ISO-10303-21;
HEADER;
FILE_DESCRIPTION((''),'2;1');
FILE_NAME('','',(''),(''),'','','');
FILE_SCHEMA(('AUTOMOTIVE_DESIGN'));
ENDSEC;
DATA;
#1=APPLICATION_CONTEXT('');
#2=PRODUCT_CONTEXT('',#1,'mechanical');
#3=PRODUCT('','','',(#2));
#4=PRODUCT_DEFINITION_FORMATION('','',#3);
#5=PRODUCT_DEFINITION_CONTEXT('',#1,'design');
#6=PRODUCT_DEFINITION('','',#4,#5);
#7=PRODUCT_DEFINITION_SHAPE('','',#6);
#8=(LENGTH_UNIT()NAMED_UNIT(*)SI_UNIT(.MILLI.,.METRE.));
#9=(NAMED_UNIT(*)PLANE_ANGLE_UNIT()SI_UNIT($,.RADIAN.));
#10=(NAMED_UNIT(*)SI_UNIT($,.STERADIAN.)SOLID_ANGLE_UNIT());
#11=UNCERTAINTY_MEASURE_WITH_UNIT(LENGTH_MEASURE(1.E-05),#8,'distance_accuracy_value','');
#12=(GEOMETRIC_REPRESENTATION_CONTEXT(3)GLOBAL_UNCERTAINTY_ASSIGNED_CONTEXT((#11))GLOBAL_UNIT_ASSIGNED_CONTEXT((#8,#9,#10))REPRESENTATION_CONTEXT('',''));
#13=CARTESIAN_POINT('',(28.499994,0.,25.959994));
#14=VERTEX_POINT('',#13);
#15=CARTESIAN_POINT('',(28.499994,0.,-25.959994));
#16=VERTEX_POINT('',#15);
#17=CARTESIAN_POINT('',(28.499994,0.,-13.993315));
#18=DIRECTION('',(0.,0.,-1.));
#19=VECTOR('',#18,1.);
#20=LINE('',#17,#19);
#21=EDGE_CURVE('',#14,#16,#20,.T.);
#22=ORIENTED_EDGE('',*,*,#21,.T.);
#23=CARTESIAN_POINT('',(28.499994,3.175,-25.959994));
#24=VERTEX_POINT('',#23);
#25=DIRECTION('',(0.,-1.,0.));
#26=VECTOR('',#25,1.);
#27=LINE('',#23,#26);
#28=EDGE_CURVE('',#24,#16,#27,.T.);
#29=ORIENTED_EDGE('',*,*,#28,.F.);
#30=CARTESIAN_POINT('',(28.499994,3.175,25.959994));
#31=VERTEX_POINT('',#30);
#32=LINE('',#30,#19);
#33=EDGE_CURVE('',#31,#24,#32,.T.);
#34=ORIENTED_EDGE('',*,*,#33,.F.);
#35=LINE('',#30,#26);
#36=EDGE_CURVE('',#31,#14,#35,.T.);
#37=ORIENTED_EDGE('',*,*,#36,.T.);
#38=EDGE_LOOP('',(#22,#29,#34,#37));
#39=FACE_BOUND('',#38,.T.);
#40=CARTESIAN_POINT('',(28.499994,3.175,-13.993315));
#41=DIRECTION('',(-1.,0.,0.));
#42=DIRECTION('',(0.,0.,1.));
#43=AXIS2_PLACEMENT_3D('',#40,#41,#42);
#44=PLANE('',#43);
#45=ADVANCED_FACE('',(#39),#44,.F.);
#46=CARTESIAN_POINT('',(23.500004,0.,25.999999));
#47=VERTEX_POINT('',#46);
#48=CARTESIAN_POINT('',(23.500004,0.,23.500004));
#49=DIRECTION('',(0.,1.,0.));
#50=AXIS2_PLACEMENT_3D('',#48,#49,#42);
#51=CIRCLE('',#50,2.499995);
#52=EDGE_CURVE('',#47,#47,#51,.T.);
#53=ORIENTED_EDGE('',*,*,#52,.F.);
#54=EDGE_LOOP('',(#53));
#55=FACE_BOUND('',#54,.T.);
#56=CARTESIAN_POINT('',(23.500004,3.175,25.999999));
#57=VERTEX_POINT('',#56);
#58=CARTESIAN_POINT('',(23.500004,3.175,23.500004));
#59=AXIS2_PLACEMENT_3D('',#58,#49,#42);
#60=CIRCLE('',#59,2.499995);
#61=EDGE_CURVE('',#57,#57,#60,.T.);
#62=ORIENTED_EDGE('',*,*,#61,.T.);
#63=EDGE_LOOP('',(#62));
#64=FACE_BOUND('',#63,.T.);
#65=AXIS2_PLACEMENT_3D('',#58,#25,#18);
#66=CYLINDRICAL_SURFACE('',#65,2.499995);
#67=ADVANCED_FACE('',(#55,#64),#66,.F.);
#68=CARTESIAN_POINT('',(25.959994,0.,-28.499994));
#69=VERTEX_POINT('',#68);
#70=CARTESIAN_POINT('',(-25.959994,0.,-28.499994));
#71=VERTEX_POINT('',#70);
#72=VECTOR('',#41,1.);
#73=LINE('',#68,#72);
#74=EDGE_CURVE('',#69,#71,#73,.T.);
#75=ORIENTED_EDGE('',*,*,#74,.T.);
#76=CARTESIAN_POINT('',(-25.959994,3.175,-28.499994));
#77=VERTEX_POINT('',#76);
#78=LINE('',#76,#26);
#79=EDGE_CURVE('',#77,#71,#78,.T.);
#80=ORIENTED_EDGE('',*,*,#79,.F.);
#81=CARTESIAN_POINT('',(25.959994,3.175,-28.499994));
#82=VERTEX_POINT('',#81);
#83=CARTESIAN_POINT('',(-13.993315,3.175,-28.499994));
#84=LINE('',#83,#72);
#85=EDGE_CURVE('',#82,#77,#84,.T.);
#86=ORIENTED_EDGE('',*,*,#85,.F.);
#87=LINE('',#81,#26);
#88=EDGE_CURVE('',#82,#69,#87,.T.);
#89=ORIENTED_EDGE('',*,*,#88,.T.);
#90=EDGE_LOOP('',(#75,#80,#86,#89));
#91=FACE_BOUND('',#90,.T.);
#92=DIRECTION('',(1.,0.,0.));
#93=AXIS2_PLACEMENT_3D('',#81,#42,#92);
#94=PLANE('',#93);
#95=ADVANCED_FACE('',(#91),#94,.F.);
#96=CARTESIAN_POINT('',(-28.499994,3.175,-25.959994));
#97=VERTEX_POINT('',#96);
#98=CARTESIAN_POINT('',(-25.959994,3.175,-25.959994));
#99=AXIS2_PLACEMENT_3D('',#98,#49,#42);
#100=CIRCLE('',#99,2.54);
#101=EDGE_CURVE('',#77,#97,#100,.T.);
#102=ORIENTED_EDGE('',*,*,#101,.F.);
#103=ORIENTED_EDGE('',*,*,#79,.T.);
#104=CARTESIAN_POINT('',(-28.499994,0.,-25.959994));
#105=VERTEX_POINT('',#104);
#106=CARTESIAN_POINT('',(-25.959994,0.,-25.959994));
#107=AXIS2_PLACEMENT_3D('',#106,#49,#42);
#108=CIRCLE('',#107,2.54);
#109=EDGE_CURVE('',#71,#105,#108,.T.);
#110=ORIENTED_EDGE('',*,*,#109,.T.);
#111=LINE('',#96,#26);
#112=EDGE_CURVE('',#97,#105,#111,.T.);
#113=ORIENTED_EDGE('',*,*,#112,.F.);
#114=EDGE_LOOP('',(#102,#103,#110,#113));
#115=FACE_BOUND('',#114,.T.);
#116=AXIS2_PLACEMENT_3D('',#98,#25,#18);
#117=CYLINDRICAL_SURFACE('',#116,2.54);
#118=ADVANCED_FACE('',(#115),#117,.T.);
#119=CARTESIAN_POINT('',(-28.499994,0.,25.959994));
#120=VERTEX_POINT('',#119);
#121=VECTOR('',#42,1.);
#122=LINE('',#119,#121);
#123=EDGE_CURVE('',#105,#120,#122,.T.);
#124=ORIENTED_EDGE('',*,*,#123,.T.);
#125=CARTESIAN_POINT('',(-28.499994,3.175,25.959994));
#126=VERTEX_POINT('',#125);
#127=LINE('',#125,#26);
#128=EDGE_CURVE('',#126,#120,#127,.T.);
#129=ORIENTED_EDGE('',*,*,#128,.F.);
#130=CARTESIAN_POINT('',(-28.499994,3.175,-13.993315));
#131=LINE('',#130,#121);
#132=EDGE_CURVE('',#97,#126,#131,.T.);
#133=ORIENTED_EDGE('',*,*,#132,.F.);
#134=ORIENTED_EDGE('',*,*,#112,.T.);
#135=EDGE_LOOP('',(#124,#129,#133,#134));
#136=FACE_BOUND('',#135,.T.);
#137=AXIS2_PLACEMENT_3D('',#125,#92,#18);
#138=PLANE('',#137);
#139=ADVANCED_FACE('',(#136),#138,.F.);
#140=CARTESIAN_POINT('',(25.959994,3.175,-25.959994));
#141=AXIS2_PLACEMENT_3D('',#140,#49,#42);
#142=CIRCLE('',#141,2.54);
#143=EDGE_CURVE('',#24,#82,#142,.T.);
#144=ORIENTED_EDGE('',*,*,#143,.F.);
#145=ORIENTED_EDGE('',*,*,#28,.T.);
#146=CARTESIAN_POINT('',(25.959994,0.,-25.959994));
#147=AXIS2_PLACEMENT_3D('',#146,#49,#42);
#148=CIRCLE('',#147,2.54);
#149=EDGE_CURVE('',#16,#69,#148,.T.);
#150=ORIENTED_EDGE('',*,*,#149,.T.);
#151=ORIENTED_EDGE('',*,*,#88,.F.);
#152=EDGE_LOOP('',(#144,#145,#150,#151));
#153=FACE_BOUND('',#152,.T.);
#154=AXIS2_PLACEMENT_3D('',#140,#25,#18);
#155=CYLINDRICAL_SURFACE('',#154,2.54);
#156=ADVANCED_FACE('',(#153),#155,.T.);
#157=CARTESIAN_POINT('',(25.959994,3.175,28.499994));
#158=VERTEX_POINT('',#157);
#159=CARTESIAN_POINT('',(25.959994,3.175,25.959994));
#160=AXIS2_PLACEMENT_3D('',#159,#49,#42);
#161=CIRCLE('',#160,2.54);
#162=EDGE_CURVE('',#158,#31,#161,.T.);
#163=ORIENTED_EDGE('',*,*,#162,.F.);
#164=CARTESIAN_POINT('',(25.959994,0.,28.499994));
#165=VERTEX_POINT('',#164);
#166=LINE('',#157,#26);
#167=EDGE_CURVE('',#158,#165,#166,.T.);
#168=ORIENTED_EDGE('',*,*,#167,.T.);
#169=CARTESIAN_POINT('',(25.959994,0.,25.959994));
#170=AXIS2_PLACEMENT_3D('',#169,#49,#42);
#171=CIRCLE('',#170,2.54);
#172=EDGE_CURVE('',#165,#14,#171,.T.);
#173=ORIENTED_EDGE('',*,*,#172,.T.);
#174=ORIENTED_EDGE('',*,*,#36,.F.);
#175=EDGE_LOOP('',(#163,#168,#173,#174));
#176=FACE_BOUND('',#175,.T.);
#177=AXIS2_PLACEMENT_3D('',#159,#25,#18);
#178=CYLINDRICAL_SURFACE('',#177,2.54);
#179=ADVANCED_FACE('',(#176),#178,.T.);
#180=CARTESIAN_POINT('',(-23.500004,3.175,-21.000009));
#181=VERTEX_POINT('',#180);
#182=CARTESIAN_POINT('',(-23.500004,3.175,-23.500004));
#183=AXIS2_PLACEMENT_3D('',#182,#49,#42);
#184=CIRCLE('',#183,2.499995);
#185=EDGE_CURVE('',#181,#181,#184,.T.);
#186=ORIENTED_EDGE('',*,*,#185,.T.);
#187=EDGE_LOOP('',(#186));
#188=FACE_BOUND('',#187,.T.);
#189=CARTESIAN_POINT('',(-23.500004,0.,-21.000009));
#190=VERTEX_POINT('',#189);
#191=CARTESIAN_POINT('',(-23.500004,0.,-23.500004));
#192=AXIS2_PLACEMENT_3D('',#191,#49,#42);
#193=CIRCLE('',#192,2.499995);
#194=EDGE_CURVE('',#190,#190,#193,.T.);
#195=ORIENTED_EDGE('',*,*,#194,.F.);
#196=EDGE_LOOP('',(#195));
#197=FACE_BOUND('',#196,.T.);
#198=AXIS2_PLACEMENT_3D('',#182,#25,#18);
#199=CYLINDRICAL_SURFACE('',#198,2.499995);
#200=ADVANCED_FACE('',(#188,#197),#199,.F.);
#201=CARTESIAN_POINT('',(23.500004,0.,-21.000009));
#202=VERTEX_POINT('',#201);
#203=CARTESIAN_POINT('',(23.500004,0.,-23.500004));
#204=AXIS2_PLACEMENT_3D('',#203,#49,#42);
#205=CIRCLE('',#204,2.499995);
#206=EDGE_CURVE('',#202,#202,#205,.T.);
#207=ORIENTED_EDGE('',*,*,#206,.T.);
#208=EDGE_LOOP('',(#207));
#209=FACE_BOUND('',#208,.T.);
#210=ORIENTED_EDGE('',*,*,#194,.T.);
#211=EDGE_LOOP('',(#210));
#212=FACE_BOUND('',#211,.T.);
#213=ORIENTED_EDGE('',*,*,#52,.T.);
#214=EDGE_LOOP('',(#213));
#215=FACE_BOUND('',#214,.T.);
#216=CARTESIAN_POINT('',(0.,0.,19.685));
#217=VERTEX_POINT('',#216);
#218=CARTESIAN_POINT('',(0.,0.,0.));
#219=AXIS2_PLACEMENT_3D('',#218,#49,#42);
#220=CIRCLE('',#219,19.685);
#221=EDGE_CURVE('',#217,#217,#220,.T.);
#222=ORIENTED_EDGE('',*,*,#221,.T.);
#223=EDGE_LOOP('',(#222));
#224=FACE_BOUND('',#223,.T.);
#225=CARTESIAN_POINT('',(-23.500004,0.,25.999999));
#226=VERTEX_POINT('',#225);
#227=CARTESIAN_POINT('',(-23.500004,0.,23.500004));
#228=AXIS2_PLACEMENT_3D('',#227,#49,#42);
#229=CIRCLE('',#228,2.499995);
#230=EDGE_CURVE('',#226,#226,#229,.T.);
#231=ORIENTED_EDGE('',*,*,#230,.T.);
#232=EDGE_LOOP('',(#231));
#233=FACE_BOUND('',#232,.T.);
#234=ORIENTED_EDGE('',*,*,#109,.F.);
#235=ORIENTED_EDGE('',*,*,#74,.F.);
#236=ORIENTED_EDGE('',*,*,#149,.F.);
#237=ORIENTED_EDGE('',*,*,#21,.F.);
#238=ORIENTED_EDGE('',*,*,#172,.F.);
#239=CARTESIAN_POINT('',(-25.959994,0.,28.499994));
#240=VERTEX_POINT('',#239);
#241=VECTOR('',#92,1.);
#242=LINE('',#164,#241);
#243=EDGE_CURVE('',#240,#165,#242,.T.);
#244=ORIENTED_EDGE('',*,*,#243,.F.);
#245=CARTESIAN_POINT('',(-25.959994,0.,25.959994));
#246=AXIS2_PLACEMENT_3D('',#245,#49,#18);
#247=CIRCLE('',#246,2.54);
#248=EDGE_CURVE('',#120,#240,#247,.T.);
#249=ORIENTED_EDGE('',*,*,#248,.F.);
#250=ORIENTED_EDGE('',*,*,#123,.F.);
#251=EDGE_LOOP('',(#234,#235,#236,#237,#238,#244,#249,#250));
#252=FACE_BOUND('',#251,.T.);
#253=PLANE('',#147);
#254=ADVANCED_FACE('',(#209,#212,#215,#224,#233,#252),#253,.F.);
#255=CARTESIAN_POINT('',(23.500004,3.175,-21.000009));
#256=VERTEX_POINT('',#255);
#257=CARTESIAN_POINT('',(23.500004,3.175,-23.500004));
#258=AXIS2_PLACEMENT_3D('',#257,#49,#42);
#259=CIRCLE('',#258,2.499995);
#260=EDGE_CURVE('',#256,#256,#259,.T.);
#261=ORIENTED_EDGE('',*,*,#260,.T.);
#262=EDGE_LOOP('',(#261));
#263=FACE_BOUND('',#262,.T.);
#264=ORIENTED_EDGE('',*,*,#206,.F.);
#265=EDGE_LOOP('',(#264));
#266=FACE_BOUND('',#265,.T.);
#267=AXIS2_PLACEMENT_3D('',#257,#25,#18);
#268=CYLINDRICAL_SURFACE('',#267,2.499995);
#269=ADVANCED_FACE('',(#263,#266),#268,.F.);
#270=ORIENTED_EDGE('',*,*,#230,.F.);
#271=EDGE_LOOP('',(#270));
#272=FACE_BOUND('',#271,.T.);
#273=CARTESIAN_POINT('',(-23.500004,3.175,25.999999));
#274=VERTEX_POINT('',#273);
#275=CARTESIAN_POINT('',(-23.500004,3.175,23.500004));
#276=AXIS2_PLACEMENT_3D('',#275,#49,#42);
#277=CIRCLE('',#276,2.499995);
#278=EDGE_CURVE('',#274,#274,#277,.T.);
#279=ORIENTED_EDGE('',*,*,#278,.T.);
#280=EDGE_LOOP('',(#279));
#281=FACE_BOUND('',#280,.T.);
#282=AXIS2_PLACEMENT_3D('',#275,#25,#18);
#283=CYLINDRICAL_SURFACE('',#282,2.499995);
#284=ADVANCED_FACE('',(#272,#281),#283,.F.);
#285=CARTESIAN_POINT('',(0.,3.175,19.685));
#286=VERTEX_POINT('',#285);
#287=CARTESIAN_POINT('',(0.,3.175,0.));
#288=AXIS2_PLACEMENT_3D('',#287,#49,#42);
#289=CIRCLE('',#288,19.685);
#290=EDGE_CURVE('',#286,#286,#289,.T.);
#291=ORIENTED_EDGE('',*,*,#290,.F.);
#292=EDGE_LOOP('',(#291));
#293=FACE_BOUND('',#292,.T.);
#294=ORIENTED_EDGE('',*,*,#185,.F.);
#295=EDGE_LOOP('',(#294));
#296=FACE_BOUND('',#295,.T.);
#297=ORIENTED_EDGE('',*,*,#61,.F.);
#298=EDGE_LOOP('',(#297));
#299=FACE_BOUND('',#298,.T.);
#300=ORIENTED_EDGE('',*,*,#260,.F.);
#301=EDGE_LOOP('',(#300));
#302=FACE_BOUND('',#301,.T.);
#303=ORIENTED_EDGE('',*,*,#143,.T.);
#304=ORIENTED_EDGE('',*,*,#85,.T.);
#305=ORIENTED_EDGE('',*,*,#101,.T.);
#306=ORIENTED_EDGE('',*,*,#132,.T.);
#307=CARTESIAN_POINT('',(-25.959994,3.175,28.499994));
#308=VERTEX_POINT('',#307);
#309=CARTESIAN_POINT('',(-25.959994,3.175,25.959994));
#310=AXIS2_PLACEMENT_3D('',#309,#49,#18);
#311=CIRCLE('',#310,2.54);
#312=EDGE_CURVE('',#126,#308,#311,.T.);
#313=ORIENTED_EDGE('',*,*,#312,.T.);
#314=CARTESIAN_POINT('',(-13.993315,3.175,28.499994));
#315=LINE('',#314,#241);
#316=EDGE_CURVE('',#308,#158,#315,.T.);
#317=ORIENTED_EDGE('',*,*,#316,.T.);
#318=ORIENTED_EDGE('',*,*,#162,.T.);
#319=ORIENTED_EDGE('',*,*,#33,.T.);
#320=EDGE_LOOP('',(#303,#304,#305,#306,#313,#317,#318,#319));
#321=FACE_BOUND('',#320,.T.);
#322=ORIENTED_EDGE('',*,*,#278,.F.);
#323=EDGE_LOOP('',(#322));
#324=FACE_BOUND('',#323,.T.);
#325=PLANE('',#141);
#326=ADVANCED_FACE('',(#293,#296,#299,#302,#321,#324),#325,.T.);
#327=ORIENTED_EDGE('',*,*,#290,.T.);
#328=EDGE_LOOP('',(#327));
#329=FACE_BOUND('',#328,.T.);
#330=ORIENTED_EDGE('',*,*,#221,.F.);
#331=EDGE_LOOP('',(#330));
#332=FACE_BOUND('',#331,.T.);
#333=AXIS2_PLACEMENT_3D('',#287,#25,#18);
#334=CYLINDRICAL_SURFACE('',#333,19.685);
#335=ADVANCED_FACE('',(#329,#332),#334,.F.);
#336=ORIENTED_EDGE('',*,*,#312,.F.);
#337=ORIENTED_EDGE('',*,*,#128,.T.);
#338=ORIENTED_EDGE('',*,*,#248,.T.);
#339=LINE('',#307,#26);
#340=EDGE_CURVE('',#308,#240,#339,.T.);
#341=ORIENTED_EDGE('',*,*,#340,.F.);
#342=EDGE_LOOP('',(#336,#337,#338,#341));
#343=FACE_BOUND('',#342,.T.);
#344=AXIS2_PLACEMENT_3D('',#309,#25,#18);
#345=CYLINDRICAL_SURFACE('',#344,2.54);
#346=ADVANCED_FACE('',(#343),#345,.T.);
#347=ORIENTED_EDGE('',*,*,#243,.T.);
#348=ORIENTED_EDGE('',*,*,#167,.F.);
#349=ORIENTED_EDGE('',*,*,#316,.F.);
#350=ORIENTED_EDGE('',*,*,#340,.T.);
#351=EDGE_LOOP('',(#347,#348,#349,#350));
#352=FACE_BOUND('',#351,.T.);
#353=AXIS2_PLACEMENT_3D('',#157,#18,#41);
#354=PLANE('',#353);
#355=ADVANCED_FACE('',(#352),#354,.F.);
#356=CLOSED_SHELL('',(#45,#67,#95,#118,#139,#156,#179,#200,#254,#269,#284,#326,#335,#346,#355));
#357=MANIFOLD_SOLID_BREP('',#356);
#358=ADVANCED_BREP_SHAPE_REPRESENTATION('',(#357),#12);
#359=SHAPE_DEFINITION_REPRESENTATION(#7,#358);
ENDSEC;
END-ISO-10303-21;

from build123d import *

# Parameters (mm, degrees)
SKETCH1_R           = 19.685
SKETCH1_R_2         = 2.499995
BOSS_EXTRUDE1_DEPTH = 3.175


with BuildPart() as part:
    # Sketch1 → Boss-Extrude1 (new body)
    with BuildSketch(Plane(origin=(0, 0, 0), x_dir=(1, 0, 0), z_dir=(0, 1, 0))):
        with BuildLine():
            Line((-13.993314597, 28.4999938), (-25.9599938, 28.4999938))
            ThreePointArc((-25.9599938, 28.4999938), (-27.756045024, 27.756045024), (-28.4999938, 25.9599938))
            Line((-28.4999938, 25.9599938), (-28.4999938, 13.993314597))
            Line((-28.4999938, 13.993314597), (-28.4999938, -13.993314597))
            Line((-28.4999938, -13.993314597), (-28.4999938, -25.9599938))
            ThreePointArc((-28.4999938, -25.9599938), (-27.756045024, -27.756045024), (-25.9599938, -28.4999938))
            Line((-25.9599938, -28.4999938), (-13.993314597, -28.4999938))
            Line((-13.993314597, -28.4999938), (13.993314597, -28.4999938))
            Line((13.993314597, -28.4999938), (25.9599938, -28.4999938))
            ThreePointArc((25.9599938, -28.4999938), (27.756045024, -27.756045024), (28.4999938, -25.9599938))
            Line((28.4999938, -25.9599938), (28.4999938, -13.993314597))
            Line((28.4999938, -13.993314597), (28.4999938, 13.993314597))
            Line((28.4999938, 13.993314597), (28.4999938, 25.9599938))
            ThreePointArc((28.4999938, 25.9599938), (27.756045024, 27.756045024), (25.9599938, 28.4999938))
            Line((25.9599938, 28.4999938), (13.993314597, 28.4999938))
            Line((13.993314597, 28.4999938), (-13.993314597, 28.4999938))
        make_face()
        Circle(SKETCH1_R, mode=Mode.SUBTRACT)
        with Locations((-23.5000038, 23.5000038)):
            Circle(SKETCH1_R_2, mode=Mode.SUBTRACT)
        with Locations((23.5000038, 23.5000038)):
            Circle(SKETCH1_R_2, mode=Mode.SUBTRACT)
        with Locations((23.5000038, -23.5000038)):
            Circle(SKETCH1_R_2, mode=Mode.SUBTRACT)
        with Locations((-23.5000038, -23.5000038)):
            Circle(SKETCH1_R_2, mode=Mode.SUBTRACT)
    extrude(amount=BOSS_EXTRUDE1_DEPTH)


solid = part.part
